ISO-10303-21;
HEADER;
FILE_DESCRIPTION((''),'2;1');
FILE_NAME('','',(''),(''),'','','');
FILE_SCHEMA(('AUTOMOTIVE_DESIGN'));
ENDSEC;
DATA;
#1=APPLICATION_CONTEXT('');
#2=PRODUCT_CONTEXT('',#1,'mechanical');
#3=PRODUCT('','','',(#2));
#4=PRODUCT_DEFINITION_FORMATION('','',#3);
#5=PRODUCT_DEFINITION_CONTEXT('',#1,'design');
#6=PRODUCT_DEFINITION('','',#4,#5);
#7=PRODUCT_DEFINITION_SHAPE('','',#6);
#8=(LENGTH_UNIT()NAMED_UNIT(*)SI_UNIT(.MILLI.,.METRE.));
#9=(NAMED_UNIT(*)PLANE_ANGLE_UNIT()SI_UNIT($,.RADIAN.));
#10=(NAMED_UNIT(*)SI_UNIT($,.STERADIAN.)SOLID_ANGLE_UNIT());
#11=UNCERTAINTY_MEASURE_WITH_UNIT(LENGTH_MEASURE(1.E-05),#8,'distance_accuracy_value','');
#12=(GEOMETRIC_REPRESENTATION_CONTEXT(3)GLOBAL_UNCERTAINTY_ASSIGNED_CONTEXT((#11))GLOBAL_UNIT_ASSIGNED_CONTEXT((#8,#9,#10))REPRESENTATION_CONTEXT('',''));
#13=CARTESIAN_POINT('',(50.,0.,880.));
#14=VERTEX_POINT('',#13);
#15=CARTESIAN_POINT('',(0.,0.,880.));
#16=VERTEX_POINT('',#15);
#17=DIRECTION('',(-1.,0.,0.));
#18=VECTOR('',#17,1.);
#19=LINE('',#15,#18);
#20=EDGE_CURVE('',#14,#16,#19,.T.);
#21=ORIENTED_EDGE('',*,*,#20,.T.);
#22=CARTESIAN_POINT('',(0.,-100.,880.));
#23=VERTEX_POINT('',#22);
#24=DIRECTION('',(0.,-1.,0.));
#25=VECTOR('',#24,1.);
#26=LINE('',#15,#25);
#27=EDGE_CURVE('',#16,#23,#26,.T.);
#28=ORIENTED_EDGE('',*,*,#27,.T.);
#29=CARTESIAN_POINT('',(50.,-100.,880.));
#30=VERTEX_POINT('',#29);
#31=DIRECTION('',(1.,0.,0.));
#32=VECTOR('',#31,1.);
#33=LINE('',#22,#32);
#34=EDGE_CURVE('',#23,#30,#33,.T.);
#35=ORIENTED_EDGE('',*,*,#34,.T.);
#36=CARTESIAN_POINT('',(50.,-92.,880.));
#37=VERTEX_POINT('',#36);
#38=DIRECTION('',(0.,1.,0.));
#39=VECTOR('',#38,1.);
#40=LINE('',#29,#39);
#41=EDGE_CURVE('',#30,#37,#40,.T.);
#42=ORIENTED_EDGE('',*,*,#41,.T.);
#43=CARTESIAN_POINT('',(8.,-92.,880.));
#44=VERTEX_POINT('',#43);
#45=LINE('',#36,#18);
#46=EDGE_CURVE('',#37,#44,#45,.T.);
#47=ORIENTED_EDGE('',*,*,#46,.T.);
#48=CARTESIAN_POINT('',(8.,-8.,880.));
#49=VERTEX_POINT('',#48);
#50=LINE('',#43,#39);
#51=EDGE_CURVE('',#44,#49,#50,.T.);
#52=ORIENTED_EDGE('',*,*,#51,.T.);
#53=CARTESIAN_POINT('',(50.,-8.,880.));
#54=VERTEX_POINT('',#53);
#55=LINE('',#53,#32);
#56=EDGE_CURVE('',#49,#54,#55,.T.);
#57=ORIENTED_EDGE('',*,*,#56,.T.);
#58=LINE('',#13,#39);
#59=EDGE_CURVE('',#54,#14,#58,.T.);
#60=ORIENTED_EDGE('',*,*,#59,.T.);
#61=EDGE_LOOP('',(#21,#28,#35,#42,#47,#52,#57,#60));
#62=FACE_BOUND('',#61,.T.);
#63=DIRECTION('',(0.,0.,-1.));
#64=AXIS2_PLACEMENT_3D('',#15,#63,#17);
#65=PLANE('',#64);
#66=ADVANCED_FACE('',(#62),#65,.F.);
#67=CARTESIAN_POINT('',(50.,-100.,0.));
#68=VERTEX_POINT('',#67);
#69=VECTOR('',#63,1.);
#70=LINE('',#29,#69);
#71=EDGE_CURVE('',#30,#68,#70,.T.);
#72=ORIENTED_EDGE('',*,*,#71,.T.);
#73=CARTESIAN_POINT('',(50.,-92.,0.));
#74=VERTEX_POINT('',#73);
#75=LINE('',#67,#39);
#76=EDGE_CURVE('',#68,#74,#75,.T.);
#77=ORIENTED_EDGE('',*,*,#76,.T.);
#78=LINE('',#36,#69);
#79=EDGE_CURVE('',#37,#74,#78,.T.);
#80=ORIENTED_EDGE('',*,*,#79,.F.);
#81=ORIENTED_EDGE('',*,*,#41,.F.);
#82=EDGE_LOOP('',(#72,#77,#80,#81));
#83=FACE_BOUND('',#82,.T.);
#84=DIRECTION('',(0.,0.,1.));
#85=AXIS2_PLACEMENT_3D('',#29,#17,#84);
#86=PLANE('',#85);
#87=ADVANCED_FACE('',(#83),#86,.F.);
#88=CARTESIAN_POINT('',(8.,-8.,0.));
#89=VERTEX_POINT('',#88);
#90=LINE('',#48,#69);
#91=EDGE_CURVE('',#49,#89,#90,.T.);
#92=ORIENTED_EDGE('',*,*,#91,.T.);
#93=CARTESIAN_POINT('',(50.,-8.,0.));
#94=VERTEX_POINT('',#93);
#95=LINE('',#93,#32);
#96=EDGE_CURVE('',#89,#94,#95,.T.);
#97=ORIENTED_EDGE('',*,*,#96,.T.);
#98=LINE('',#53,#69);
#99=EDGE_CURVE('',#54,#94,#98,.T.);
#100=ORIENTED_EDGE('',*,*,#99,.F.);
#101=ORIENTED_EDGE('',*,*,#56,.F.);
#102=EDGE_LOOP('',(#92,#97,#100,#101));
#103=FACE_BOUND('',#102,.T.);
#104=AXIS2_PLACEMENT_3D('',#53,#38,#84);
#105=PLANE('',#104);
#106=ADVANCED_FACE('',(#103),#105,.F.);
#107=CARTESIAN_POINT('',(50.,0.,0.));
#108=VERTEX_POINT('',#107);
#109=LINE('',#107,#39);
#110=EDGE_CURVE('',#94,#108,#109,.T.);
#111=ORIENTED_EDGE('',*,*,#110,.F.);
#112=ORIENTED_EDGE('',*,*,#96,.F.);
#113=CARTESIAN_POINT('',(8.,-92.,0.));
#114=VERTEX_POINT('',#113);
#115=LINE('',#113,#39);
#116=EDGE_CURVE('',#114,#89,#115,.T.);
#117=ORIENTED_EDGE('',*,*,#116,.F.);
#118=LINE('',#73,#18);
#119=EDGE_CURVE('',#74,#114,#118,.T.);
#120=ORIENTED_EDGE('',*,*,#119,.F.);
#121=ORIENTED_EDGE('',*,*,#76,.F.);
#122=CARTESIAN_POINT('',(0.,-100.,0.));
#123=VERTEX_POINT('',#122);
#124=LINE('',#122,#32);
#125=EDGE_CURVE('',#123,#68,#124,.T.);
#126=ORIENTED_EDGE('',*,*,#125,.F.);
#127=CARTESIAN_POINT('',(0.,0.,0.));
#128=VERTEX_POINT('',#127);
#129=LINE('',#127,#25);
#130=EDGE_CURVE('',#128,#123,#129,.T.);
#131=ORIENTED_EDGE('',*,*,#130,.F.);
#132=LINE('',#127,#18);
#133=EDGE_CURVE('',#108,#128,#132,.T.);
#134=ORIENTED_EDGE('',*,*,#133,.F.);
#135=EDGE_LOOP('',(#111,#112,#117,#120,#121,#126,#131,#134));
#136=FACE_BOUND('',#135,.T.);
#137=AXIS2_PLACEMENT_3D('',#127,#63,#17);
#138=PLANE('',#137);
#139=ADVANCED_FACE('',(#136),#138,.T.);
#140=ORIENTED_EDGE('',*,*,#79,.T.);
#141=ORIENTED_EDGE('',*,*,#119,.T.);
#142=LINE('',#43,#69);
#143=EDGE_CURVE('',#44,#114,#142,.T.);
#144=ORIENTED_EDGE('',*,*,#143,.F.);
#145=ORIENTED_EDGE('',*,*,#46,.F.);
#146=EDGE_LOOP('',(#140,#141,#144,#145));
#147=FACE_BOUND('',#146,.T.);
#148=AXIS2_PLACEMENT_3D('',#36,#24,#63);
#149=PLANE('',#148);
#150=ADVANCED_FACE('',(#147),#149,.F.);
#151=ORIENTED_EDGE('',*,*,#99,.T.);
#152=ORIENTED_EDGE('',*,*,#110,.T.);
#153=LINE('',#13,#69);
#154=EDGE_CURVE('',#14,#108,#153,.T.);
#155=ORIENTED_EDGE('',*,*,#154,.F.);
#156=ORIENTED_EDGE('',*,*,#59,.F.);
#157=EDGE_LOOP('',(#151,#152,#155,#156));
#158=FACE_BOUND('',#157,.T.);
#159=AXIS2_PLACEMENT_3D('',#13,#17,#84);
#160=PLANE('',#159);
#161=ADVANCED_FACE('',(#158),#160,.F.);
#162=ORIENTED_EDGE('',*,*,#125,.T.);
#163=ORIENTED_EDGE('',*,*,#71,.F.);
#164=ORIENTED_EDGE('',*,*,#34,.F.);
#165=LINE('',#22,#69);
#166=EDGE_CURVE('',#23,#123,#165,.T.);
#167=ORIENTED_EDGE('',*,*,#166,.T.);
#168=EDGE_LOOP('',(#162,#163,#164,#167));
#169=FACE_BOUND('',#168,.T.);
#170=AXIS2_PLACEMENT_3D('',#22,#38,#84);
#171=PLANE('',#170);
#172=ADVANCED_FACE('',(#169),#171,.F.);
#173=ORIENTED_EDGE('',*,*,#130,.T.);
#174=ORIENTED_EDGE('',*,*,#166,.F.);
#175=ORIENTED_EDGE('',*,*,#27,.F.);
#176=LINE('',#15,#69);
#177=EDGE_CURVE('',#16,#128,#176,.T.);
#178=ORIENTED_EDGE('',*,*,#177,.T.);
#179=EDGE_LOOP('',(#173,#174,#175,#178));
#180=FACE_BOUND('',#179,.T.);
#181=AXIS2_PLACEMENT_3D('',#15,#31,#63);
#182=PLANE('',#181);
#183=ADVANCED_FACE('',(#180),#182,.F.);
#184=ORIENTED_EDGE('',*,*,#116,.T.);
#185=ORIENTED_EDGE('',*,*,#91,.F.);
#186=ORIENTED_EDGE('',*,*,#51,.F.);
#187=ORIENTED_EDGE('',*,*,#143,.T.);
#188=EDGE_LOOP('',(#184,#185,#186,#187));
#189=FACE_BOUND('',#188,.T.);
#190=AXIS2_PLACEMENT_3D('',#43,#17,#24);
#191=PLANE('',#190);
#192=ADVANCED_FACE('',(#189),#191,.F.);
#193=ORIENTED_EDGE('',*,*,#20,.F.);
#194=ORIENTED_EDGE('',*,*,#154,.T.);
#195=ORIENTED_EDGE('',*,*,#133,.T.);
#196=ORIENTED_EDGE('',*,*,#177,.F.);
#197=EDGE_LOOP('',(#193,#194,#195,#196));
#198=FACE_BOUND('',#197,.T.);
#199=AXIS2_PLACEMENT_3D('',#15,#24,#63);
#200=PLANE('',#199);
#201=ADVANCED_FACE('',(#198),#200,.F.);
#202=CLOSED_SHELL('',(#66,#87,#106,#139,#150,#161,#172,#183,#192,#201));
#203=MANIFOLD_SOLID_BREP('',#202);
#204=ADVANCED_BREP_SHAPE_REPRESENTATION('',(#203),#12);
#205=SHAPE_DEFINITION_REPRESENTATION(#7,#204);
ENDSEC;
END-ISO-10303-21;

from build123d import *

# Parameters (mm, degrees)
BOSS_EXTRUDE1_DEPTH = 880


with BuildPart() as part:
    # Sketch1 → Boss-Extrude1 (new body)
    with BuildSketch(Plane.XY):
        Polygon((0, 0), (0, -100), (50, -100), (50, -92), (8, -92), (8, -8), (50, -8), (50, 0), align=None)
    extrude(amount=BOSS_EXTRUDE1_DEPTH)


solid = part.part
